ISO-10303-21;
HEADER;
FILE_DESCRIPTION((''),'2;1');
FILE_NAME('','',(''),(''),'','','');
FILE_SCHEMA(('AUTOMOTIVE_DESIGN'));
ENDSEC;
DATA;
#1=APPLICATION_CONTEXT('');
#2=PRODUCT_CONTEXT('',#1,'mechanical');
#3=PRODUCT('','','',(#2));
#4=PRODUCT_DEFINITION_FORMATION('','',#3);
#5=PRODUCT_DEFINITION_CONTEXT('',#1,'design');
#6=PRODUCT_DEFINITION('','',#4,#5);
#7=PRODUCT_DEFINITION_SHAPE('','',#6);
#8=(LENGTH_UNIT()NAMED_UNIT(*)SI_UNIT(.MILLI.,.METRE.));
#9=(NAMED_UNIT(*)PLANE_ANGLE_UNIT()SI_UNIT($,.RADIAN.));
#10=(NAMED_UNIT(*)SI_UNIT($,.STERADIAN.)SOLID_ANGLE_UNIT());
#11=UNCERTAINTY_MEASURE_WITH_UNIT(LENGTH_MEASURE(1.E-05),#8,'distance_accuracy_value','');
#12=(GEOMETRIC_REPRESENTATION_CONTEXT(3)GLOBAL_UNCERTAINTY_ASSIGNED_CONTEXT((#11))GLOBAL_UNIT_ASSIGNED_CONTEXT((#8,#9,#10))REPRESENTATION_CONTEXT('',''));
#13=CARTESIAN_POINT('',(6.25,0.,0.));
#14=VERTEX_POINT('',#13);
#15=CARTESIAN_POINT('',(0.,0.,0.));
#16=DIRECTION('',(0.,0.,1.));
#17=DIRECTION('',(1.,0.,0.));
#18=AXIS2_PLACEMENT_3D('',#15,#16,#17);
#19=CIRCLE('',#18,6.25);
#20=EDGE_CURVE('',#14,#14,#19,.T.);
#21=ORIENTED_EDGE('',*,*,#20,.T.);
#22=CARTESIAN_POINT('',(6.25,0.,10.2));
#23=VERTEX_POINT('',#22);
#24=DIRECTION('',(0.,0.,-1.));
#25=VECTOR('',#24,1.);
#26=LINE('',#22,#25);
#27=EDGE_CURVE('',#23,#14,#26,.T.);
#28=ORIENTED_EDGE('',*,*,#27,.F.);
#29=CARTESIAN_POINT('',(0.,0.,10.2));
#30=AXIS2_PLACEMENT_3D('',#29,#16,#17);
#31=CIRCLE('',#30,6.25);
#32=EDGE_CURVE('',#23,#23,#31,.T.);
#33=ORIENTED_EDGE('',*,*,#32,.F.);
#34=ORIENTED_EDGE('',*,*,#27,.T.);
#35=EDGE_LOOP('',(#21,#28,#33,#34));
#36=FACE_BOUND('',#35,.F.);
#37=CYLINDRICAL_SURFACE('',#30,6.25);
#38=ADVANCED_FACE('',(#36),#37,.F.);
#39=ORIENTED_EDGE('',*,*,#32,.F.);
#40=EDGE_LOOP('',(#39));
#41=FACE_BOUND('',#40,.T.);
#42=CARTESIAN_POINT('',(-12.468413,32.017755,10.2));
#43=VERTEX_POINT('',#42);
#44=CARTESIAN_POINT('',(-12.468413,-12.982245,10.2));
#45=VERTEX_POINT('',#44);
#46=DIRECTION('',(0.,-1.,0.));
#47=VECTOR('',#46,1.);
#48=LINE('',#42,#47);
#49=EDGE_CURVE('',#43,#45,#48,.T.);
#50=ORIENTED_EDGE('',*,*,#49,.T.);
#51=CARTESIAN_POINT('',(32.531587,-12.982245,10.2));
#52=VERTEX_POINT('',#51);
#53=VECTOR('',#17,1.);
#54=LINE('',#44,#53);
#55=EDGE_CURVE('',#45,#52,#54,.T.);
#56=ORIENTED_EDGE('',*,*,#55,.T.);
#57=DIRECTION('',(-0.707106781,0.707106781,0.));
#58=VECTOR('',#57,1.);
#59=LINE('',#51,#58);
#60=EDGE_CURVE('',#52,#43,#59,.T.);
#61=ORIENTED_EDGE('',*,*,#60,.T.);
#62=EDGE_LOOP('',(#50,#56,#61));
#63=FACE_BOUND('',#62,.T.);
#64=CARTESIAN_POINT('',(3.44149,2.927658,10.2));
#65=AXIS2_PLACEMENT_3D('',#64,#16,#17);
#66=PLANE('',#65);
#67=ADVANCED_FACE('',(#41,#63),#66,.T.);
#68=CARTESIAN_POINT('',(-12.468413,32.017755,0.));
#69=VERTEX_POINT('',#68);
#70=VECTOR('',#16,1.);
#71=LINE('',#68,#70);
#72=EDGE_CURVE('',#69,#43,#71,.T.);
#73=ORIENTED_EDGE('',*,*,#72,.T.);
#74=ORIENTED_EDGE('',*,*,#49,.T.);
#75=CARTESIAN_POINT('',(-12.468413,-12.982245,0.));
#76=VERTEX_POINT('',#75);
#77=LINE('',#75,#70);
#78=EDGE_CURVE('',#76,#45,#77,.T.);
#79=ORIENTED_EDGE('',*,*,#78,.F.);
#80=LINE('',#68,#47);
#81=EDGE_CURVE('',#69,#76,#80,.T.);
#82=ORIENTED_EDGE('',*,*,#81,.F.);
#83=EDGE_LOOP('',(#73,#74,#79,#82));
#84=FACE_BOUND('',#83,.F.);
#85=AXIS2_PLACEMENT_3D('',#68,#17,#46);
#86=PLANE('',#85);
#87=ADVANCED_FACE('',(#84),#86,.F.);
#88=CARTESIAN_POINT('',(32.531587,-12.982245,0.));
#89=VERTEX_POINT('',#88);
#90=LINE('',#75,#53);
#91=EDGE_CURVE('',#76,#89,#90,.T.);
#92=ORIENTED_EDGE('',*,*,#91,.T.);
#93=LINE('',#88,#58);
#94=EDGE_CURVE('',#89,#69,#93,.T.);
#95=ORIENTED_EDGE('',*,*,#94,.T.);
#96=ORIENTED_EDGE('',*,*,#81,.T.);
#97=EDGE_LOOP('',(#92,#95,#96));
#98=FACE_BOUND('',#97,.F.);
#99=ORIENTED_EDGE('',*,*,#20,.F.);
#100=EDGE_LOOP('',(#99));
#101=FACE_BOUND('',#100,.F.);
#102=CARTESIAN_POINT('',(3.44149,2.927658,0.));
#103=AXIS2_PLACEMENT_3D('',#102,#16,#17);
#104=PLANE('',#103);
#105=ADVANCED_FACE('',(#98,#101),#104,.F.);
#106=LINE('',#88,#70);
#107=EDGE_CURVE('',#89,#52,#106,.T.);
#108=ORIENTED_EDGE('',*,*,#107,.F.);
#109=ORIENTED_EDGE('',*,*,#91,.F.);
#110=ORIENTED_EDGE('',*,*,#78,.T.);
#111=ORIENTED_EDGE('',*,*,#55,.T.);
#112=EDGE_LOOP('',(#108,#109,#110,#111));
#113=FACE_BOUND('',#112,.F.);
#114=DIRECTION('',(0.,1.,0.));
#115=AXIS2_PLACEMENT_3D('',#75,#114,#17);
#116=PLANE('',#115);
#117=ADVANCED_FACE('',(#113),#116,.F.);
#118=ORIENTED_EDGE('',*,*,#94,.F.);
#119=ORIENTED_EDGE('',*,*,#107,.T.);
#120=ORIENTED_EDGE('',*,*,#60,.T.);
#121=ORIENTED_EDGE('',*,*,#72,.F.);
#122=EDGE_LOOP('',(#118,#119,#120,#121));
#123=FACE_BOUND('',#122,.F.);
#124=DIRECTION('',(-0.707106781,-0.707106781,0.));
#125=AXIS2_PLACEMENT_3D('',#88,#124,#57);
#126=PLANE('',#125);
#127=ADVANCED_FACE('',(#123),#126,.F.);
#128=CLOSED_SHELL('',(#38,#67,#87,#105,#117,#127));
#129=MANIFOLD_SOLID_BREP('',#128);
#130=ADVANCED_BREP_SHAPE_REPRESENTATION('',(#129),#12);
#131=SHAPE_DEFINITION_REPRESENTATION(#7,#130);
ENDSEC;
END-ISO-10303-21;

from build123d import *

# Parameters (mm, degrees)
F1_DEPTH = 10.2
F2_R     = 6.25
F3_DEPTH = 10.201


with BuildPart() as f1:
    # F0 (on Top) → F1 (new body)
    with BuildSketch(Plane.XY):
        Polygon((-12.468413, 32.017755), (-12.468413, -12.982245), (32.531587, -12.982245), align=None)
    extrude(amount=F1_DEPTH)

    # F2 (on face) → F3 (cut, through all)
    with BuildSketch(Plane.XY.offset(10.2)):
        Circle(F2_R)
    extrude(amount=-F3_DEPTH, mode=Mode.SUBTRACT)


solid = f1.part
